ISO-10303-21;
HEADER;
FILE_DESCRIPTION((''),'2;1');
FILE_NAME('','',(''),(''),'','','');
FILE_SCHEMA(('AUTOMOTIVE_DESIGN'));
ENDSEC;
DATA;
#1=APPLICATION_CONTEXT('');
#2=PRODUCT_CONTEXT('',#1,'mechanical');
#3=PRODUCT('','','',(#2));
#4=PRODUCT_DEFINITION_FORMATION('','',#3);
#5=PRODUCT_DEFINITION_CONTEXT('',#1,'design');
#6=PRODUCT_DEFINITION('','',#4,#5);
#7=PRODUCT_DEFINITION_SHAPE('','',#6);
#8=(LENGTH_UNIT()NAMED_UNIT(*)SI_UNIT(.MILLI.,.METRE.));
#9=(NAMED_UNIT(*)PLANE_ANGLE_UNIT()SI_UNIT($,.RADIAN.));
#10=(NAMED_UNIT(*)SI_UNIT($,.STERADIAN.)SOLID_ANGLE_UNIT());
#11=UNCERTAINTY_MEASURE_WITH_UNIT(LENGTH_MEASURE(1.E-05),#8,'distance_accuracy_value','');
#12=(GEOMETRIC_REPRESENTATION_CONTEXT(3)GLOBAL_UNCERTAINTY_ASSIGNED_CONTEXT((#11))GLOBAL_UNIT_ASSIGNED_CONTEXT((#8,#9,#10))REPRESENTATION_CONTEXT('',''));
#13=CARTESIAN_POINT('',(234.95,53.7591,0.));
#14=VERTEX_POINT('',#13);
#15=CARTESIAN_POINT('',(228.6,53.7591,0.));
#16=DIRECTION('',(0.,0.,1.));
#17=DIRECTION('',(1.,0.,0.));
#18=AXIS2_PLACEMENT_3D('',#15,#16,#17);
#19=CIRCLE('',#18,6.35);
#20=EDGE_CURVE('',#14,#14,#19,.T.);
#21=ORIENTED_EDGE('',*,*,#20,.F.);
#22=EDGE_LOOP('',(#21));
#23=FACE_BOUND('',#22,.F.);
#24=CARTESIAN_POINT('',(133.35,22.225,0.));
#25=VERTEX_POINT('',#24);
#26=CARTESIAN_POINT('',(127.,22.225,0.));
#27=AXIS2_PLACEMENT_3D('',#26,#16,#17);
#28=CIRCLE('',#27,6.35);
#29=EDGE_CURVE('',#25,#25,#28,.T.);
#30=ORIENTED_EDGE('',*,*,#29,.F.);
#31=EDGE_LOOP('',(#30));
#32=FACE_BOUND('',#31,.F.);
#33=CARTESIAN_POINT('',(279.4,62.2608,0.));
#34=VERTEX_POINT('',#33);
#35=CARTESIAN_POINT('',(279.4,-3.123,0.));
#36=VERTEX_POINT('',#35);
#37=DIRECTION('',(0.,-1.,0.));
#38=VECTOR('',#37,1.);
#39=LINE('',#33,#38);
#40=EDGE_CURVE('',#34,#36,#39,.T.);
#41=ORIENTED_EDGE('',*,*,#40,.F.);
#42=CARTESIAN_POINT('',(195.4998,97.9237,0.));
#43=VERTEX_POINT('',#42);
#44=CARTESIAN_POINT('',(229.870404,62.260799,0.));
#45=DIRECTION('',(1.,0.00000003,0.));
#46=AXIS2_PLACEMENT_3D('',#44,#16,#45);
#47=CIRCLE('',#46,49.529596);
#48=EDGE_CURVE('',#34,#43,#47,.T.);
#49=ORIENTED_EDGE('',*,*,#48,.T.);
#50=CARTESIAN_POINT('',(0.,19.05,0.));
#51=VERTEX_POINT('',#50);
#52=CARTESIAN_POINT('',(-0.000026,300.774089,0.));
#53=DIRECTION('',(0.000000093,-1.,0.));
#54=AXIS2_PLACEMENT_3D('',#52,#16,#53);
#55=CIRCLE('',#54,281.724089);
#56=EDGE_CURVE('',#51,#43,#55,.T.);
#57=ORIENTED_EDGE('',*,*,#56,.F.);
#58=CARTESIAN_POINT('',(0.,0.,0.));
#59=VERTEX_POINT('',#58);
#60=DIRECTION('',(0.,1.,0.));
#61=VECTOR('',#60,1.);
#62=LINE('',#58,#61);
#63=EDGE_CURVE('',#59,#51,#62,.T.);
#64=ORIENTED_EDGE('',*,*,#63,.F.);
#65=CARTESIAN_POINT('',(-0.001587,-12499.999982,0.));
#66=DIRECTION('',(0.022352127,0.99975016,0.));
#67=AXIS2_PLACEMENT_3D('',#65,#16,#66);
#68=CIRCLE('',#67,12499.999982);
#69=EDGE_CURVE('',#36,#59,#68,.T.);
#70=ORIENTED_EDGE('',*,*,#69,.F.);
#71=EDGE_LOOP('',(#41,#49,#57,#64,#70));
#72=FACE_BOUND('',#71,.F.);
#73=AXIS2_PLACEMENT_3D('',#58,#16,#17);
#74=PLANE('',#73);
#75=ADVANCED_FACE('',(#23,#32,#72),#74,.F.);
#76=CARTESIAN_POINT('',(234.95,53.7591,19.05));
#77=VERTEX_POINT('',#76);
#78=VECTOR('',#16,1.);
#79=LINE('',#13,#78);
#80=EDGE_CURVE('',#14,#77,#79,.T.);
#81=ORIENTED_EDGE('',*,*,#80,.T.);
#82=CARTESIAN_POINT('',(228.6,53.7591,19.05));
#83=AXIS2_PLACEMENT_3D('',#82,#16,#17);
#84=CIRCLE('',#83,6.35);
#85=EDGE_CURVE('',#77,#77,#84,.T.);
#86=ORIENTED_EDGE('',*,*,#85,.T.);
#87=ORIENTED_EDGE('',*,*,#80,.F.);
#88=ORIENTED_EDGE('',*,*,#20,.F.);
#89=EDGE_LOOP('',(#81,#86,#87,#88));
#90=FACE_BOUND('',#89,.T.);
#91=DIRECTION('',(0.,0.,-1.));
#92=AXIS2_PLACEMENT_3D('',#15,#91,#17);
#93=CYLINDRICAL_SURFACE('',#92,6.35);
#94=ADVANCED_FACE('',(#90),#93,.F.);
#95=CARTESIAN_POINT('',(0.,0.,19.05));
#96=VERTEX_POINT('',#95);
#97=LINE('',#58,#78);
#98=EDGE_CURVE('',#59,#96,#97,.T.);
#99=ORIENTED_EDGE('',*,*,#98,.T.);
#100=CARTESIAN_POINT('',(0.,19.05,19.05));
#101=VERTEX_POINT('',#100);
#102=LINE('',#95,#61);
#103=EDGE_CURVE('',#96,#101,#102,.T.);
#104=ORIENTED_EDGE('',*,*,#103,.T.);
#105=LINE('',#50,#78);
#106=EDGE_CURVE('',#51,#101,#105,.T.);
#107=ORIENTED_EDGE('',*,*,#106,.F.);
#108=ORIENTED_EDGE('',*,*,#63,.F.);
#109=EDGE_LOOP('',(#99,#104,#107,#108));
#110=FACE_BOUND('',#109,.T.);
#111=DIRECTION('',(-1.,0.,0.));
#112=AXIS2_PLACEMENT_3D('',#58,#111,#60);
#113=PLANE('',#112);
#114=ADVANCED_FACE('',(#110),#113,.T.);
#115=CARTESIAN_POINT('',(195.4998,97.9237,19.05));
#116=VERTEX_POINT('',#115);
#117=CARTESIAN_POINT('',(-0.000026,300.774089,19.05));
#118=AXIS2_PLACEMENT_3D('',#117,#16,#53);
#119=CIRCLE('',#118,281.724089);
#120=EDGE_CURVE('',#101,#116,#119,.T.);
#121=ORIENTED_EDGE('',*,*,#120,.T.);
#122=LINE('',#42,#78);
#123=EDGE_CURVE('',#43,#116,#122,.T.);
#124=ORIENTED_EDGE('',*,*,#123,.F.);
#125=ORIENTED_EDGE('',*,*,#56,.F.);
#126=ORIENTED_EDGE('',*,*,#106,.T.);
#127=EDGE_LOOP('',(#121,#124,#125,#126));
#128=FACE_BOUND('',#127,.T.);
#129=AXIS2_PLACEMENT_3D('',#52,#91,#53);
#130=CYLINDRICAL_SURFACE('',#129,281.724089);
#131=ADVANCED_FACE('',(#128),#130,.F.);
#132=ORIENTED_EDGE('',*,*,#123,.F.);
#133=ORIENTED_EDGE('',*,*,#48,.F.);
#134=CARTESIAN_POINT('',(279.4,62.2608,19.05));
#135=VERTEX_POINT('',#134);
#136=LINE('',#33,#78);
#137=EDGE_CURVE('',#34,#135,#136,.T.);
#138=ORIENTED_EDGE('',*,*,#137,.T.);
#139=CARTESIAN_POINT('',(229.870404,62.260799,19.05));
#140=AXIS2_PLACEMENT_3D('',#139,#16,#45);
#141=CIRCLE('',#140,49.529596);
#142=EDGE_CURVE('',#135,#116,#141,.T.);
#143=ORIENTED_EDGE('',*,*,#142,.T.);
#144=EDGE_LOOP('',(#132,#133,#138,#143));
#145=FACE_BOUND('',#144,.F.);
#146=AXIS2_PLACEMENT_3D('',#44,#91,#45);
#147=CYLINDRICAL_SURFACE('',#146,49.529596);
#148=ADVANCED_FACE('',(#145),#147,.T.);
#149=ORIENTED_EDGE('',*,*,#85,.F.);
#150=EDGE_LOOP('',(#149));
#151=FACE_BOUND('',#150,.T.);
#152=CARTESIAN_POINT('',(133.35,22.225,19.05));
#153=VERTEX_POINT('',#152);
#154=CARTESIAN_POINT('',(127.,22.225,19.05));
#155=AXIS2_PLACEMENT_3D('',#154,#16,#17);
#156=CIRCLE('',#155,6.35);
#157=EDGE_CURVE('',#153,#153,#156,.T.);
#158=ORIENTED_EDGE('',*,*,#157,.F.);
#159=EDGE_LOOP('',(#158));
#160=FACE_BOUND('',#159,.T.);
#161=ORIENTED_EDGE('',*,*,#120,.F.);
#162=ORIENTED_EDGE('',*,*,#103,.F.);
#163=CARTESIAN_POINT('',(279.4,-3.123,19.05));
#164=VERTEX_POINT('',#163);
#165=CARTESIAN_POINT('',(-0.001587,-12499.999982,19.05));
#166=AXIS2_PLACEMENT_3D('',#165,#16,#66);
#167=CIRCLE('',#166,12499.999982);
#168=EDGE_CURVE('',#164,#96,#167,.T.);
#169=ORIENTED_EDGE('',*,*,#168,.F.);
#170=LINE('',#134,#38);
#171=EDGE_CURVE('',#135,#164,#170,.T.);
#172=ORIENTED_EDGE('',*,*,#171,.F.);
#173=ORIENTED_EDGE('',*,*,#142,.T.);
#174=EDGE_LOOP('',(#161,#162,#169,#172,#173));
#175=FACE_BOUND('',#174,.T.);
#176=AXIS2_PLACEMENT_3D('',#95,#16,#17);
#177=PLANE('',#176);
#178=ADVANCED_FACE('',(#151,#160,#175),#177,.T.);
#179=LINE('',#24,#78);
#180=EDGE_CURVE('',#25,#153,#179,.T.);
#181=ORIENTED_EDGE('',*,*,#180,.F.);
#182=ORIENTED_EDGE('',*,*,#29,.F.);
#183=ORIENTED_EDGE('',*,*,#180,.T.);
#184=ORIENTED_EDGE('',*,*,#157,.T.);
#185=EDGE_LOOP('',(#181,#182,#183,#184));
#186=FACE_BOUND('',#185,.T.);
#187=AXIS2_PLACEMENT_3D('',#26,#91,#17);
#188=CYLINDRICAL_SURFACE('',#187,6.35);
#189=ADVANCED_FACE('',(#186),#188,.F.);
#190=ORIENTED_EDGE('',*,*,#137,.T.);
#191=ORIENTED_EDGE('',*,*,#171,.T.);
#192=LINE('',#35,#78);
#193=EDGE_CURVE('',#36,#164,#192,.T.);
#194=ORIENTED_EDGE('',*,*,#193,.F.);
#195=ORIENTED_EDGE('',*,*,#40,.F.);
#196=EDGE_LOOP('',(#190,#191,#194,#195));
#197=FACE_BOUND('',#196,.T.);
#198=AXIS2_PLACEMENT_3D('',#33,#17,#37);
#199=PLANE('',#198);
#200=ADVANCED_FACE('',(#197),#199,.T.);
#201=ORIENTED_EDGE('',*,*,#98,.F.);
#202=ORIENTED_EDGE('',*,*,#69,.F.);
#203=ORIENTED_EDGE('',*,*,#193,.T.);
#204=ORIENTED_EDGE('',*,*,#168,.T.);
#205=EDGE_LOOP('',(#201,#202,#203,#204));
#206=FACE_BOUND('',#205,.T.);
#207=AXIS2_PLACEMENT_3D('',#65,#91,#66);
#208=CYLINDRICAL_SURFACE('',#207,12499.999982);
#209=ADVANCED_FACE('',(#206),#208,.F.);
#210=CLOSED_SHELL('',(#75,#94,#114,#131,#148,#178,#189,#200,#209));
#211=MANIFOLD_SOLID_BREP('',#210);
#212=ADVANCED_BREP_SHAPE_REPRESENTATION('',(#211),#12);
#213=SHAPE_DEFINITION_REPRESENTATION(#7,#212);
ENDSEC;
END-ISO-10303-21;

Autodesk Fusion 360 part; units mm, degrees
sketch "End Block Outline" plane through (0, 0, 0) normal (0, 0, 1) x (1, 0, 0)
  line L0 (0, 0) -> (0, 19.05)
  line L1 (0, 0) -> (279.4, 0) construction
  arc A0 (279.4, -3.123) -> (0, 0) centre (0, -12500) ccw
  arc A1 (0, 19.05) -> (195.4998, 97.9237) centre (0, 300.7741) ccw
  line L2 (0, 19.05) -> (279.4, 19.05) construction
  line L3 (279.4, 0) -> (279.4, -3.123) construction
  arc A2 (279.4, 62.2608) -> (195.4998, 97.9237) centre (229.8704, 62.2608) ccw
  line L4 (279.4, 62.2608) -> (279.4, -3.123)
  circle A3 centre (127, 22.225) radius 6.35
  circle A4 centre (228.6, 53.7591) radius 6.35
  line L5 (170, 19.05) -> (170, 76.1222) construction
  dimension "EndThickness" = 19.05
  dimension "BaseRadius" = 12500
  dimension "ArcRadius" = 281.7241
  dimension "BlockWidth" = 279.4
  dimension "ArcCordLength" = 210.8109
  dimension "d13" = 12.7
  dimension "d14" = 127
  dimension "d15" = 22.225
  dimension "d16" = 101.6
  dimension "d17" = 31.5341
  dimension "TestLength" = 170
  dimension "d2" = 65.002
extrude "Extrude1" add sketch "End Block Outline" along normal blind 19.05
equation "BlockWidth = 11\""
equation "ArcCordLength = 2 * ArcRadius * sin(ArcAngle / 2)"
equation "d14 = 5\""
equation "d15 = ( 7 / 8 ) * 1\""
equation "d16 = 4\""
equation "ArcLength = 216.06764 mm"
equation "ArcAngle = ( 360 * ArcLength / ( 2 * PI * ArcRadius ) ) * 1 deg" comment "Internal computation"
